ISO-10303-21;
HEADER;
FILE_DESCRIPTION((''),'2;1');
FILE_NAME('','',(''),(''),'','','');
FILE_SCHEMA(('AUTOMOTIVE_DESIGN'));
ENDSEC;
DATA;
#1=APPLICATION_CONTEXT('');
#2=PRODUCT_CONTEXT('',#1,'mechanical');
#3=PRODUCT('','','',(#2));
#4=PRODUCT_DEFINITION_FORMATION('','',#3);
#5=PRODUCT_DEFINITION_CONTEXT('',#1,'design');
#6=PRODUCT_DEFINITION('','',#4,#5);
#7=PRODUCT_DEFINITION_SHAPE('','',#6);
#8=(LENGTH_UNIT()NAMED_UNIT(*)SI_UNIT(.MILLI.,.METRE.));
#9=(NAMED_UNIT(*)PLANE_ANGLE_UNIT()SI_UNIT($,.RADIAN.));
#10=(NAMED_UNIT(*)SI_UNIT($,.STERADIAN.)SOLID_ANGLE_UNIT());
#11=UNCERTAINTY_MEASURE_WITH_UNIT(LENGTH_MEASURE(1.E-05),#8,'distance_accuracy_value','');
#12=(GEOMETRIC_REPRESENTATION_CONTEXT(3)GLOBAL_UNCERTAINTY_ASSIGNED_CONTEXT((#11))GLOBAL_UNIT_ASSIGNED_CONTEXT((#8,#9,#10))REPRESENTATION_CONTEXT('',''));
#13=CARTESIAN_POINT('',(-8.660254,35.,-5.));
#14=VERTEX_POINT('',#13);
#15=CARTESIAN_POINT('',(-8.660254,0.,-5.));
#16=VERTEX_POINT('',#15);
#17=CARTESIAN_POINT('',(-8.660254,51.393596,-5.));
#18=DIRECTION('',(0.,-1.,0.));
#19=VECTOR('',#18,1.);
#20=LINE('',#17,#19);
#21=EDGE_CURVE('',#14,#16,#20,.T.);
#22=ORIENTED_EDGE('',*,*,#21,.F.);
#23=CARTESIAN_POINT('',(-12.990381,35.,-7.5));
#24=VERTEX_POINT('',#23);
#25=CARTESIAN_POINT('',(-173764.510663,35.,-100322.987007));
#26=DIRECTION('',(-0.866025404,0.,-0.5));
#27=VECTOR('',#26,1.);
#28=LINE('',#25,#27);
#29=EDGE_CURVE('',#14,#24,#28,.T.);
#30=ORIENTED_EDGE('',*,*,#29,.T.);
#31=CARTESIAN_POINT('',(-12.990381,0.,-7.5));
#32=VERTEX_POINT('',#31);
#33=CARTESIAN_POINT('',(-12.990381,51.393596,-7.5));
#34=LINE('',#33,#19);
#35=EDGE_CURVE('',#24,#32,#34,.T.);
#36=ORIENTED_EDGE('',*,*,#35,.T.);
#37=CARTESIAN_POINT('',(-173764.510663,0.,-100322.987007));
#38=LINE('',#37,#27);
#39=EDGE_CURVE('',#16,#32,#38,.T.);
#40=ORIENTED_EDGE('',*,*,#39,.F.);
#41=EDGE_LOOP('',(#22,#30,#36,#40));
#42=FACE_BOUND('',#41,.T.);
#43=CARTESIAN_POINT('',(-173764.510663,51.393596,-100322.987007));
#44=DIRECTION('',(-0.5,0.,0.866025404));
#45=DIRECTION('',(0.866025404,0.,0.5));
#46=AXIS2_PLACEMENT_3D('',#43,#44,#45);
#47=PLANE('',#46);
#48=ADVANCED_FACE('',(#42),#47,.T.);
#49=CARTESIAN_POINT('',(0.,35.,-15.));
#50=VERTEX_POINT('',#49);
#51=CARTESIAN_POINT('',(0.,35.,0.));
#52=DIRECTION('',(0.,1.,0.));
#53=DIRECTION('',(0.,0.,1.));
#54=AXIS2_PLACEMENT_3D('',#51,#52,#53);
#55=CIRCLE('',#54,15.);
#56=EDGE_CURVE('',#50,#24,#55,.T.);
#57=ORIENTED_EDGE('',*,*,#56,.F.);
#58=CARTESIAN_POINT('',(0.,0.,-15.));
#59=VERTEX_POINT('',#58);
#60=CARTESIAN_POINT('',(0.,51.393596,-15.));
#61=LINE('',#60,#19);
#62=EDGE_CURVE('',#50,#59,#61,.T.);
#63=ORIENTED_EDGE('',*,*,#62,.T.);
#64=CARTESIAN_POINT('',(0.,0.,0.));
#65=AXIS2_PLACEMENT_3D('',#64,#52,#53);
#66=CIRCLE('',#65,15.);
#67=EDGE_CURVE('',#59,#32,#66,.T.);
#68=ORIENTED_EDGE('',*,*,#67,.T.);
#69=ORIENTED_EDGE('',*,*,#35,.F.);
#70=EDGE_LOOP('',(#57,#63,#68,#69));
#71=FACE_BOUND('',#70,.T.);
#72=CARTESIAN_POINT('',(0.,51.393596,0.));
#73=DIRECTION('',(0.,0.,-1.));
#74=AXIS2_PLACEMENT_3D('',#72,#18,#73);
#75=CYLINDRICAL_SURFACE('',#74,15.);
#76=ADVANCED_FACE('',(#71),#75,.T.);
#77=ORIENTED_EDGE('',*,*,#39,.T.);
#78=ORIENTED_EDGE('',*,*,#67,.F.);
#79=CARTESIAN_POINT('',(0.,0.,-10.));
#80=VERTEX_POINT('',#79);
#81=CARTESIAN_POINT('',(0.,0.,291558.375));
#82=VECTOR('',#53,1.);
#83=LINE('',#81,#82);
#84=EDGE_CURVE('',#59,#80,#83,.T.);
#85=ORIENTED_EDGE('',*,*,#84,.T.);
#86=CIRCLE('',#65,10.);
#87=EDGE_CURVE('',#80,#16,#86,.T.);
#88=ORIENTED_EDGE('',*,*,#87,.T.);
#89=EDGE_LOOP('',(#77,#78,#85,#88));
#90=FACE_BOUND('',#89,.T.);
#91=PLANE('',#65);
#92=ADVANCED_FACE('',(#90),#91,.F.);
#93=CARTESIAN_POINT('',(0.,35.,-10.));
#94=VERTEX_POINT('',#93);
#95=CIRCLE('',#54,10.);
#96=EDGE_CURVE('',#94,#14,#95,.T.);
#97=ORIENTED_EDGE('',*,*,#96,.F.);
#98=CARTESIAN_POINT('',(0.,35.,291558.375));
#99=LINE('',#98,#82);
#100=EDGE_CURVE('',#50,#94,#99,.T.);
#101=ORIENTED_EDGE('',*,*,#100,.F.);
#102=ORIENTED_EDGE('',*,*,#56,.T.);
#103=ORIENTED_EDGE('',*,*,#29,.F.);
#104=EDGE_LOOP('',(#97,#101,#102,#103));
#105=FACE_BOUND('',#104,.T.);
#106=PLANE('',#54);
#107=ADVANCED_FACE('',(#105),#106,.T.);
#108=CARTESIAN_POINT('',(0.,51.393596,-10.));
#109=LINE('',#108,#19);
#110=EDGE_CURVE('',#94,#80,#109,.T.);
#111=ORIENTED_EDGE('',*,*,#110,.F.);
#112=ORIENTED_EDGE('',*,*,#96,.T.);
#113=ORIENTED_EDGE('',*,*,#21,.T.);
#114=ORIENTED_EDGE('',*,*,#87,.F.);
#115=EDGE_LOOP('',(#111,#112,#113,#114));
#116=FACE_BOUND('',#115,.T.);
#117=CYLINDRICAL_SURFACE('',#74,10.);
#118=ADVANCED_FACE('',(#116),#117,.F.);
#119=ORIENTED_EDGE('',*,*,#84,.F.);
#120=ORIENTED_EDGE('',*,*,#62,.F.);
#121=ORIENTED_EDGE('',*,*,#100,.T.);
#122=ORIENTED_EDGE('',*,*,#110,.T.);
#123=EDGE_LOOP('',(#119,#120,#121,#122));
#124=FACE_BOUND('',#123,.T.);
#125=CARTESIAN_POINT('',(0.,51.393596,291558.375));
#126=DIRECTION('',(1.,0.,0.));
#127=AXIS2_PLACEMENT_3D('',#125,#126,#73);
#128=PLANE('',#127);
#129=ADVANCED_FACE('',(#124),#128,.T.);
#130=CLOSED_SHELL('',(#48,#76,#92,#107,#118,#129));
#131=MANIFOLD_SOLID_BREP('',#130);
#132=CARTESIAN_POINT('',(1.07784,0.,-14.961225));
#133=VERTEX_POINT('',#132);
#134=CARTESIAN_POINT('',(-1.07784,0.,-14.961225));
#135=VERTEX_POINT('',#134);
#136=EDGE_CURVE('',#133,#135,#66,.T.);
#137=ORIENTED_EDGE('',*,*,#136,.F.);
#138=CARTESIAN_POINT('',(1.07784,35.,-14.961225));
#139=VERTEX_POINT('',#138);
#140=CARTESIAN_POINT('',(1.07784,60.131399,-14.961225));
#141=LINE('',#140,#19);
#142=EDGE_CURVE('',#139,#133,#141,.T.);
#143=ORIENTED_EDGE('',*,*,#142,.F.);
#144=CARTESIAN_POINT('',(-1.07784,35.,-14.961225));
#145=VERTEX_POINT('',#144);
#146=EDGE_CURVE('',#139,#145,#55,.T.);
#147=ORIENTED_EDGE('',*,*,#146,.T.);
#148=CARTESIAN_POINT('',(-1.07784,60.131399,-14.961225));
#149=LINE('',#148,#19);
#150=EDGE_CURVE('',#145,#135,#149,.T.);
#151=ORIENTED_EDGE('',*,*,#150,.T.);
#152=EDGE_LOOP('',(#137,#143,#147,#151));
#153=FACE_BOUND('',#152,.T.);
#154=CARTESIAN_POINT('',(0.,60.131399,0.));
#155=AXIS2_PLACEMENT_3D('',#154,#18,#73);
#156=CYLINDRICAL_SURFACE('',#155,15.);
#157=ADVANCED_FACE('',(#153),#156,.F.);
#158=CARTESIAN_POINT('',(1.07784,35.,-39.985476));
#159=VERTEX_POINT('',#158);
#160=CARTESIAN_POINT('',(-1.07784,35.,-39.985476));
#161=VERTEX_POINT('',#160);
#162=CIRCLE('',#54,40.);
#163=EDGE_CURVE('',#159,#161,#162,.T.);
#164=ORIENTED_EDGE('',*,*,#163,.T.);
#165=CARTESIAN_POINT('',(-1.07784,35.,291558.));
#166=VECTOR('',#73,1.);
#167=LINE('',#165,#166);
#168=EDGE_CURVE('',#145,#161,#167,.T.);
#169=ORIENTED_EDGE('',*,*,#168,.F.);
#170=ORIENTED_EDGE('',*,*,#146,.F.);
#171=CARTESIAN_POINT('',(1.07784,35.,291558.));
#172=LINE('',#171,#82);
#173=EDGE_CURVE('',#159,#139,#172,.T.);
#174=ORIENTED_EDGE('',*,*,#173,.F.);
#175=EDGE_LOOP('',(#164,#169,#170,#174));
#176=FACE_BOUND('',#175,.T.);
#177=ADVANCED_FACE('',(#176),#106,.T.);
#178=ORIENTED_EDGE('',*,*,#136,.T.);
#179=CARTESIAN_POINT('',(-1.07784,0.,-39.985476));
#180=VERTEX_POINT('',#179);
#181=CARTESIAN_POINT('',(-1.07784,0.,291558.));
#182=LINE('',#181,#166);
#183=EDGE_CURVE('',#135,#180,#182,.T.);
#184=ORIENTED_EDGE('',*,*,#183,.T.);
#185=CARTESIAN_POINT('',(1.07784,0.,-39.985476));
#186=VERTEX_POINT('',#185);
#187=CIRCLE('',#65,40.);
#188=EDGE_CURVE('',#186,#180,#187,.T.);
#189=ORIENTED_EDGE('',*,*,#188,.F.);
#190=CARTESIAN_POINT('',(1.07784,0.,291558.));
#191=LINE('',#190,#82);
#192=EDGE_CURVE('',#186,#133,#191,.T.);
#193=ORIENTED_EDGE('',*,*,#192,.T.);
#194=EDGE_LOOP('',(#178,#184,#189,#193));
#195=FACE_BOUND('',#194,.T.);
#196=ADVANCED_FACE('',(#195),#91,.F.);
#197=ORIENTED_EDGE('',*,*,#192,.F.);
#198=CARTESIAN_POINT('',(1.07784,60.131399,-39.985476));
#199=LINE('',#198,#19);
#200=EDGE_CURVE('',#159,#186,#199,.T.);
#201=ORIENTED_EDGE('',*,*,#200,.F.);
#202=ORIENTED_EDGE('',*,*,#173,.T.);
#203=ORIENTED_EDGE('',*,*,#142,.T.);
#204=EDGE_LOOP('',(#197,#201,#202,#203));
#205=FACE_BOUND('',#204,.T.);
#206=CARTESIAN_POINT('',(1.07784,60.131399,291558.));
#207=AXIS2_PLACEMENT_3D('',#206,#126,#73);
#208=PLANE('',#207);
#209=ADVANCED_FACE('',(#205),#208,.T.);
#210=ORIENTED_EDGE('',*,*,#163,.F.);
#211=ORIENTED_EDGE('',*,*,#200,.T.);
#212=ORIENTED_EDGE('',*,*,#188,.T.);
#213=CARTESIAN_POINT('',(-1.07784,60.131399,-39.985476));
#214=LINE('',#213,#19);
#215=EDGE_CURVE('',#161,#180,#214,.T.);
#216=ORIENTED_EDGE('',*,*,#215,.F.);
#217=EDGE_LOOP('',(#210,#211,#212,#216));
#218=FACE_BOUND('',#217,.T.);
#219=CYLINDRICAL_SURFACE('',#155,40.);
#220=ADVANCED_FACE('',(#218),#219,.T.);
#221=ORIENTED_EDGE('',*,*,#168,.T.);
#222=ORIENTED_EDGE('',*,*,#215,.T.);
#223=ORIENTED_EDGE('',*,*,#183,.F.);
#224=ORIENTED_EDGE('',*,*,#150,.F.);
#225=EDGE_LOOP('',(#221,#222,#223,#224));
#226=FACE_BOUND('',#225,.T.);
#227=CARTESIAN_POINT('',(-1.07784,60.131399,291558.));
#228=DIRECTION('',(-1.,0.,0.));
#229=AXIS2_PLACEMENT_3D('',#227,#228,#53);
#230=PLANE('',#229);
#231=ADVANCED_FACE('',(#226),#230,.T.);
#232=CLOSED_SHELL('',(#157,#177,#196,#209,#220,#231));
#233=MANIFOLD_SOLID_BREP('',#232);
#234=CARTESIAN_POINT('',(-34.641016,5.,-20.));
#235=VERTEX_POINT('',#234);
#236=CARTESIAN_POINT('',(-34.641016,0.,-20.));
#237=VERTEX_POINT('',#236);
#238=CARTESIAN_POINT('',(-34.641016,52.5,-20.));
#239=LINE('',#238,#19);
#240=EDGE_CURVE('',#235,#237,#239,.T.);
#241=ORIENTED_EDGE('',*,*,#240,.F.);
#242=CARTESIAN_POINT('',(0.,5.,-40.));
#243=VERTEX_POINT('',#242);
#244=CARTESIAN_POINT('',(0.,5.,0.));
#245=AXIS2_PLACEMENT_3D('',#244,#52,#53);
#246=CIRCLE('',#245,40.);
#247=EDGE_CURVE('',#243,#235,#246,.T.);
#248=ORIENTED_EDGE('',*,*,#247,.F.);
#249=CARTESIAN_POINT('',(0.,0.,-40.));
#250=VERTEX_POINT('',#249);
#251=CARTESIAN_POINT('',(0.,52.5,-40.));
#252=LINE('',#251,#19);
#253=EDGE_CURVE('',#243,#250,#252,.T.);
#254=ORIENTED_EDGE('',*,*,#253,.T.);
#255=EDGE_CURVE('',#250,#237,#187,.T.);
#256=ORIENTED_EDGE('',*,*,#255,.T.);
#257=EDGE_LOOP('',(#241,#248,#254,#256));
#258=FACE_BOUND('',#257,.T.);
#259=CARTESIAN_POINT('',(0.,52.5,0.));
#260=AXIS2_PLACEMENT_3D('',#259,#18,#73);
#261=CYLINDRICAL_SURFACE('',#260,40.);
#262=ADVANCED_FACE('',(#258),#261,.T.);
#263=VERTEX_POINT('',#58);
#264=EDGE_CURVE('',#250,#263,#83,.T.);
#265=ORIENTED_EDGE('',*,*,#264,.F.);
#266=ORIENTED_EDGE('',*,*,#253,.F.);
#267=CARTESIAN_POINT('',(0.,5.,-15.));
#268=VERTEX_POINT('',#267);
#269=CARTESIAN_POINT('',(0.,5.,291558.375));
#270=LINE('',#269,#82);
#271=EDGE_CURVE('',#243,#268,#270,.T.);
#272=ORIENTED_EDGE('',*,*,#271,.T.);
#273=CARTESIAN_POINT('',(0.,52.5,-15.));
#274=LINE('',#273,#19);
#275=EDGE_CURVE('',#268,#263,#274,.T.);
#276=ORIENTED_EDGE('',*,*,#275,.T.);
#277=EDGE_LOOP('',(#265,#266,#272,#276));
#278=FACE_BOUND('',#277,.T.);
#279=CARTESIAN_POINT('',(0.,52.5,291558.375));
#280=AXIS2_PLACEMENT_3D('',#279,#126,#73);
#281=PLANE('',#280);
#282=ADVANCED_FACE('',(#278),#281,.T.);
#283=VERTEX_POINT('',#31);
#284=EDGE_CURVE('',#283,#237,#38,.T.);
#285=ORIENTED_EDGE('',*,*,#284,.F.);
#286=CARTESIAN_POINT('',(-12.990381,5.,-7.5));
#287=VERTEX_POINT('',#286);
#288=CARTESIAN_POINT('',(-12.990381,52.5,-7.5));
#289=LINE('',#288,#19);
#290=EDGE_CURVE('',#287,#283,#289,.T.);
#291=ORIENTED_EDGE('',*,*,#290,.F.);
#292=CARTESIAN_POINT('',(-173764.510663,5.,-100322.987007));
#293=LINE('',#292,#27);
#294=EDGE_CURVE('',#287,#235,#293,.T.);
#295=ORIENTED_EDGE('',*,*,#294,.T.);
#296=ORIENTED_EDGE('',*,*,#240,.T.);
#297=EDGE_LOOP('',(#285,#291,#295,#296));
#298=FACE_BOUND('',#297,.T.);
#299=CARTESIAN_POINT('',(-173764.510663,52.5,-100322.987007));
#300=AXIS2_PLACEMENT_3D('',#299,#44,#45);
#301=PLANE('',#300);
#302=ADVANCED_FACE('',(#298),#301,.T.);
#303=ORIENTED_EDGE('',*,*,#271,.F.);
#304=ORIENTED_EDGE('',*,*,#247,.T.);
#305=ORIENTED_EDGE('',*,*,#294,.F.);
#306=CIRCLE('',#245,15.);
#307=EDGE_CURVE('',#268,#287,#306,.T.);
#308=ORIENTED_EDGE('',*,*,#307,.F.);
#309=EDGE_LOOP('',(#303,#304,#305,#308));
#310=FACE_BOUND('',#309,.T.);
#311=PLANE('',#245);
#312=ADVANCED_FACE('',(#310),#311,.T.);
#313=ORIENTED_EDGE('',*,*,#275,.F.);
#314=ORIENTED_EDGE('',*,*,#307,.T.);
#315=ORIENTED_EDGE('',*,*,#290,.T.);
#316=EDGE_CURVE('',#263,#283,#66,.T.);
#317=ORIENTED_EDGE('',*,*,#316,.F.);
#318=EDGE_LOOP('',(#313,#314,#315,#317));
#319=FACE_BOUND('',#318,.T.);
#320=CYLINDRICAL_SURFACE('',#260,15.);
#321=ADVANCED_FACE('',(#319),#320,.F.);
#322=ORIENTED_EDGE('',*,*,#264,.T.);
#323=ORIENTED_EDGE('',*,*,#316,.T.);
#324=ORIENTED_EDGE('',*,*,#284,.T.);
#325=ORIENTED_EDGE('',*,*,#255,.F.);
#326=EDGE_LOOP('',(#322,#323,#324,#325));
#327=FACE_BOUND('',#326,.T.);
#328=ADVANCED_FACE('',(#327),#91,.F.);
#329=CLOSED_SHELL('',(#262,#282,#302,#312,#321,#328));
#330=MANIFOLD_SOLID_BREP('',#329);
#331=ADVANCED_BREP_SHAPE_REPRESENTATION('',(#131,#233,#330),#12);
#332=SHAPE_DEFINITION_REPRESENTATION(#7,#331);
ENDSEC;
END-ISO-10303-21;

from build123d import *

# Parameters (mm, degrees)
EXTRUDE_313_DEPTH = 5
EXTRUDE_435_DEPTH = 35
EXTRUDE_605_DEPTH = 35


with BuildPart() as part:
    # 草图1 → Extrude 313 (new body)
    with BuildSketch(Plane(origin=(0, 0, 0), x_dir=(1, 0, 0), z_dir=(0, 1, 0))):
        with BuildLine():
            Line((0, 15), (0, 40))
            ThreePointArc((0, 40), (-20, 34.641016151), (-34.641016151, 20))
            Line((-34.641016151, 20), (-12.990381057, 7.5))
            ThreePointArc((-12.990381057, 7.5), (-7.5, 12.990381057), (0, 15))
        make_face()
    extrude(amount=EXTRUDE_313_DEPTH)


with BuildPart() as body_2:
    # 草图2 → Extrude 435 (new body)
    with BuildSketch(Plane(origin=(0, 0, 0), x_dir=(1, 0, 0), z_dir=(0, 1, 0))):
        with BuildLine():
            Line((0, 10), (0, 15))
            ThreePointArc((0, 15), (-7.5, 12.990381057), (-12.990381057, 7.5))
            Line((-12.990381057, 7.5), (-8.660254038, 5))
            ThreePointArc((-8.660254038, 5), (-5, 8.660254038), (0, 10))
        make_face()
    extrude(amount=EXTRUDE_435_DEPTH)


with BuildPart() as body_3:
    # 草图5 → Extrude 605 (new body)
    with BuildSketch(Plane(origin=(0, 0, 0), x_dir=(1, 0, 0), z_dir=(0, 1, 0))):
        with BuildLine():
            Line((1.077839907, 14.961225255), (1.077839907, 39.985475627))
            ThreePointArc((1.077839907, 39.985475627), (0, 40), (-1.077839907, 39.985475627))
            Line((-1.077839907, 39.985475627), (-1.077839907, 14.961225255))
            ThreePointArc((-1.077839907, 14.961225255), (0, 15), (1.077839907, 14.961225255))
        make_face()
    extrude(amount=EXTRUDE_605_DEPTH)


solid = Compound([part.part, body_2.part, body_3.part])
